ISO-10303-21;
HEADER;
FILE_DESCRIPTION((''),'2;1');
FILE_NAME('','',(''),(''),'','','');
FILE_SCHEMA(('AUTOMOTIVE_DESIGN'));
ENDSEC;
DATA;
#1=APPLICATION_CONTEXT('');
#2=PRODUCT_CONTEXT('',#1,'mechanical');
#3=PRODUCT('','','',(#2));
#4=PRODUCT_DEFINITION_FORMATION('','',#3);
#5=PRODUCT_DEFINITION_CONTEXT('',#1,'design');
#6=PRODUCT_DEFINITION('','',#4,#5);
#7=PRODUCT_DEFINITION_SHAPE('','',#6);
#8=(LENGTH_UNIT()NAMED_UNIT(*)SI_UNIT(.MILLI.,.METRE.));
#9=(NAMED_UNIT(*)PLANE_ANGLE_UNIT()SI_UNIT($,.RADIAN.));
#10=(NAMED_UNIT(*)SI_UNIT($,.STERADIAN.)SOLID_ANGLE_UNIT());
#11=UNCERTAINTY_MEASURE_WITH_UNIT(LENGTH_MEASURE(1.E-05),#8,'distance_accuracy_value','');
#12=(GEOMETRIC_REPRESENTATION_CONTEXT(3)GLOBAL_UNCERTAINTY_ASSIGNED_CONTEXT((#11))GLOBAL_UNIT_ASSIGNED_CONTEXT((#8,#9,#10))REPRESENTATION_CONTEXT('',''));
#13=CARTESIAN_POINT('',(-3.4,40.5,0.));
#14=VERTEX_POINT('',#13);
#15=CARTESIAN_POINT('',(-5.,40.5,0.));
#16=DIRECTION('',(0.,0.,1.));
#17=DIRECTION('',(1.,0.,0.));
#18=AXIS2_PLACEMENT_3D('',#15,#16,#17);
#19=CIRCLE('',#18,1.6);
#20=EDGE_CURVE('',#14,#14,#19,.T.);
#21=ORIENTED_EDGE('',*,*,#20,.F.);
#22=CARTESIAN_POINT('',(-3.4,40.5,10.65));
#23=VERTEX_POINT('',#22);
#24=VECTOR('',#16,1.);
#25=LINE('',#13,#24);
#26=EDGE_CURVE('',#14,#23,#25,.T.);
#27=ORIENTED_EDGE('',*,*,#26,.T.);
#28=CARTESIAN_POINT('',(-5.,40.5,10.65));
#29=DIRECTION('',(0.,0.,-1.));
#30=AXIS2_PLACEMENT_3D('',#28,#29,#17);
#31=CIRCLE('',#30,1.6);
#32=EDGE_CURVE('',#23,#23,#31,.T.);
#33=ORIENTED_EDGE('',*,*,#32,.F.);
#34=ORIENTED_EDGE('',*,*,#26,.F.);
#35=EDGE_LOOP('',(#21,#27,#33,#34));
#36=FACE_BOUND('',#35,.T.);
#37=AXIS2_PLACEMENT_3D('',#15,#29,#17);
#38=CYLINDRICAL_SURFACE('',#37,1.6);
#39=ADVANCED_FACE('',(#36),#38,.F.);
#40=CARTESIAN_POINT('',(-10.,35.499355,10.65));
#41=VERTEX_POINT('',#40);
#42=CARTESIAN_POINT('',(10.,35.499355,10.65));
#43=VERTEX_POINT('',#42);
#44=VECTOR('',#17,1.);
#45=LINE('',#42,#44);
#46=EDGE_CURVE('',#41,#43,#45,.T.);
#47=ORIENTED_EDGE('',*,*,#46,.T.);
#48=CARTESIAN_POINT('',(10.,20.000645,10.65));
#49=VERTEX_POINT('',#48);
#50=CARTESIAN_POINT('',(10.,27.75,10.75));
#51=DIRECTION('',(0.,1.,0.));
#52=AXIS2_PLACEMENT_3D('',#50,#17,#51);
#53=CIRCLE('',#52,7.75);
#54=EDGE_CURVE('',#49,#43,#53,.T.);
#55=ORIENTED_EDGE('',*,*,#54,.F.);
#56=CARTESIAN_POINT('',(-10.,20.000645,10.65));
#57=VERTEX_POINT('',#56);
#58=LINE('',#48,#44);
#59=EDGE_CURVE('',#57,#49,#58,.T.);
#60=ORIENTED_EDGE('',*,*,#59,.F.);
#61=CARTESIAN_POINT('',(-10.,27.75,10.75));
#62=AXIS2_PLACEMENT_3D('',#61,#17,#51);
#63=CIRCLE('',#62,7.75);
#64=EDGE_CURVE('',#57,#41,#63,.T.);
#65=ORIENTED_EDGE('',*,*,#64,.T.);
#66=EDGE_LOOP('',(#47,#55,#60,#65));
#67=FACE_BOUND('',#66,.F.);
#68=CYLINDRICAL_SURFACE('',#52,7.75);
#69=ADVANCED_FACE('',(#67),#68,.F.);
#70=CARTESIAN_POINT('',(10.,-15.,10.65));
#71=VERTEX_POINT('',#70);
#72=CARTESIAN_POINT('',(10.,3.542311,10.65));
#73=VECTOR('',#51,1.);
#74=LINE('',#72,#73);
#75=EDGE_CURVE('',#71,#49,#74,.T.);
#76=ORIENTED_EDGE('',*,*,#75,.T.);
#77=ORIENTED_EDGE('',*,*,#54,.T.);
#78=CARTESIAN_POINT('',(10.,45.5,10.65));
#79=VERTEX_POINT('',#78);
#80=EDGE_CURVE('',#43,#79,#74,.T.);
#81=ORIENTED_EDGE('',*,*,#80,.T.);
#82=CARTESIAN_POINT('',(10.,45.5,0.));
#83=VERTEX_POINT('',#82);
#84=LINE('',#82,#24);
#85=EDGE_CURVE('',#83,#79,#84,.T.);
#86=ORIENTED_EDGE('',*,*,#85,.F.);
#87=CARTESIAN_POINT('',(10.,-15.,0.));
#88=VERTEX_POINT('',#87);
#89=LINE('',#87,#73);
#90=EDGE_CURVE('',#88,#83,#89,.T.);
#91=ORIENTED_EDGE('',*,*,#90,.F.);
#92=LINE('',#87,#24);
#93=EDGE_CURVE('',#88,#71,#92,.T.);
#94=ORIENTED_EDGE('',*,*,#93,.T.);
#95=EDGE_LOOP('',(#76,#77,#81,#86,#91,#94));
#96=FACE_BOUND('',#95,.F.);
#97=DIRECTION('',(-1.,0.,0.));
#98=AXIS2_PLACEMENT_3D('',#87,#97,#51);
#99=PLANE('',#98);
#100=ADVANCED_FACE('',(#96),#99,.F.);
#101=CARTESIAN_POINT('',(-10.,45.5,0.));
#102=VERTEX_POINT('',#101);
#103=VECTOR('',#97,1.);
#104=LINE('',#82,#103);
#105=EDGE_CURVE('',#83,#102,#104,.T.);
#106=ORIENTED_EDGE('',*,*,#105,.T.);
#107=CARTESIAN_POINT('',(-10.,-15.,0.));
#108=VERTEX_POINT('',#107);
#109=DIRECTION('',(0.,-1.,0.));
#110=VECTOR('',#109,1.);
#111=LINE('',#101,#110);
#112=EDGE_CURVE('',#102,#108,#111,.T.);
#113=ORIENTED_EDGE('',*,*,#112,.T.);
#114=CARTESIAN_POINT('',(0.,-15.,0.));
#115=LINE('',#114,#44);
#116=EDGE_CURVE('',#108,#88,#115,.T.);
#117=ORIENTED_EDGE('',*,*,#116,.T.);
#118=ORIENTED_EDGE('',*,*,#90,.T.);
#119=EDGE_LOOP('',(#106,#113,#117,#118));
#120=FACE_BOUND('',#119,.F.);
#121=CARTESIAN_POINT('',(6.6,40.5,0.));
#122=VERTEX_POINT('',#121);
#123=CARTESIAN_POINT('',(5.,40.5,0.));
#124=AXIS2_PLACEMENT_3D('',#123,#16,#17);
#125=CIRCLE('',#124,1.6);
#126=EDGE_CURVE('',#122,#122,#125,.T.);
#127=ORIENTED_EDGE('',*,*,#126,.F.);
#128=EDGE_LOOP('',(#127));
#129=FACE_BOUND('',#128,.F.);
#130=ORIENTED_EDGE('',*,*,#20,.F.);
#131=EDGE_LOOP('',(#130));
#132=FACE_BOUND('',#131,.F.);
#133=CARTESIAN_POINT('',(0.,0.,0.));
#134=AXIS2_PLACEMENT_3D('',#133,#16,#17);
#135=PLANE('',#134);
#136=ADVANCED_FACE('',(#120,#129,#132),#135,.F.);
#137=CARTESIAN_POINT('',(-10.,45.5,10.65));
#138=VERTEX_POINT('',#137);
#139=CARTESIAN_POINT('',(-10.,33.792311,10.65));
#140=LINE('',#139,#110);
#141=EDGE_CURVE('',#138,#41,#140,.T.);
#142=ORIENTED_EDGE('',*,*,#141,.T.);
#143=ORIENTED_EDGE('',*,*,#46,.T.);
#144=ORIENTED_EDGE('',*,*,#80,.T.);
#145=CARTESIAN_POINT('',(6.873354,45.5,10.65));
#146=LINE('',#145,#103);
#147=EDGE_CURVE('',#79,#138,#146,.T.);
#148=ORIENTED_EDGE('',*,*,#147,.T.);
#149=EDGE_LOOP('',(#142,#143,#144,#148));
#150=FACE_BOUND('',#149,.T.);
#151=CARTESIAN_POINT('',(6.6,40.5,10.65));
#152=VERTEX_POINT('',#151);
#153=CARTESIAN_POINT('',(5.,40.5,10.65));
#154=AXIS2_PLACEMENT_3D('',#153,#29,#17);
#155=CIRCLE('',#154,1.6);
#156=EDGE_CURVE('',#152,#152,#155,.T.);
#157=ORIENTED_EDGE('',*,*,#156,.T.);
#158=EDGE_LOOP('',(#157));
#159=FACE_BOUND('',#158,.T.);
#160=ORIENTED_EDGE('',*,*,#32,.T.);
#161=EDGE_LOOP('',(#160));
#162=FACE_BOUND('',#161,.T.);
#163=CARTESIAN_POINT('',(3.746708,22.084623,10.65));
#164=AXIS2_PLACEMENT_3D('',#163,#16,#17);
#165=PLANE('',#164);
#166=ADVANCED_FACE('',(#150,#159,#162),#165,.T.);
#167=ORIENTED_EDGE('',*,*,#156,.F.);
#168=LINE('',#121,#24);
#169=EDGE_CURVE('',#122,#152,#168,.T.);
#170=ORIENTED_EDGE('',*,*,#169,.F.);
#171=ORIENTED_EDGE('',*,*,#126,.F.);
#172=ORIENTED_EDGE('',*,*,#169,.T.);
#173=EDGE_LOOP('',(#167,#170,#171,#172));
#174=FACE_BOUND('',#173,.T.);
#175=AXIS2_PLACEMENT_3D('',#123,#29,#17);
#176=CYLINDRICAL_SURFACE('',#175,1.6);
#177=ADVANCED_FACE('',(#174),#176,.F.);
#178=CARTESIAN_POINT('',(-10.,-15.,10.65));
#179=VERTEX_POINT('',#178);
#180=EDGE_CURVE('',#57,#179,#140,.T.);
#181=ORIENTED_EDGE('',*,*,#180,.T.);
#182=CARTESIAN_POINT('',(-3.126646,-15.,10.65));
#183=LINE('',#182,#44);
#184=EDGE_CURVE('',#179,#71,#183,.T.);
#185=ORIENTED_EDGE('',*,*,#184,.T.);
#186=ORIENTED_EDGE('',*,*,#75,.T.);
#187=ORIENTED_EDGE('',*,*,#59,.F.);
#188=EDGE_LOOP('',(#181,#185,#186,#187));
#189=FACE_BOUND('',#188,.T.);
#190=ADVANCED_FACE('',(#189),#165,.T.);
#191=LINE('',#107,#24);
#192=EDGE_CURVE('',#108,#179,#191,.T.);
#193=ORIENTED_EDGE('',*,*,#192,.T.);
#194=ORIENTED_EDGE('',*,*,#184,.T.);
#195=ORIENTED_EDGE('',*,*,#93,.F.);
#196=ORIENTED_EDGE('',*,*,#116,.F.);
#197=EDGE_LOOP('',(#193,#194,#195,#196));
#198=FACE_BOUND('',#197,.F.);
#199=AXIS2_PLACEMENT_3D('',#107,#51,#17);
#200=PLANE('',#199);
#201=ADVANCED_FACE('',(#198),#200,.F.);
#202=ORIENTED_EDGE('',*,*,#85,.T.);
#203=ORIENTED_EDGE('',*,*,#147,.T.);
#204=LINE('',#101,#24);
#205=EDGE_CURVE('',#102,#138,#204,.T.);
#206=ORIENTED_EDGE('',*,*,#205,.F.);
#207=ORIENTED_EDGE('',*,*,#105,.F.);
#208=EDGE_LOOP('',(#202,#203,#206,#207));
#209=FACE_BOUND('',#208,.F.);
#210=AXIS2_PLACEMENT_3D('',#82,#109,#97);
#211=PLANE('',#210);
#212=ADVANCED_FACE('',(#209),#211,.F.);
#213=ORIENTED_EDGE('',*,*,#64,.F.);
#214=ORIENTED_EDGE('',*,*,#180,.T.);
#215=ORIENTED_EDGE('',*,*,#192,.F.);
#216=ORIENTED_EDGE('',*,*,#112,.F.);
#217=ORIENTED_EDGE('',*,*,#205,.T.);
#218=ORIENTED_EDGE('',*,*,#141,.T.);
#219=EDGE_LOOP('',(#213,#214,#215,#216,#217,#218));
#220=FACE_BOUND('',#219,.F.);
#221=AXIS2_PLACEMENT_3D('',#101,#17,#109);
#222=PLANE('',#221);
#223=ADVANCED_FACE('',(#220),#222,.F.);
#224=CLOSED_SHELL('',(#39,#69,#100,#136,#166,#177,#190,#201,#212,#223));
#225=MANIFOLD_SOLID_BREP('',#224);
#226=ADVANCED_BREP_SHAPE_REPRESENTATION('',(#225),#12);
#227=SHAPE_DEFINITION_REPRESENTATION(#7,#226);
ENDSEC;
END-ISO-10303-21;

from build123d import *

# Parameters (mm, degrees)
F0_W     = 20
F0_H     = 30
F0_H_2   = 5
F0_R     = 1.6
F1_DEPTH = 10.75
F3_DEPTH = 25
F4_W     = 37.611449
F4_H     = 93.224645
F5_DEPTH = 0.1


with BuildPart() as f1:
    # F0 (on Top) → F1 (new body)
    with BuildSketch(Plane.XY):
        Rectangle(F0_W, F0_H)
        with Locations((0, 17.5)):
            Rectangle(F0_W, F0_H_2)
        Polygon((-10, 20), (10, 20), (10, 35.5), (0, 35.5), (-10, 35.5), align=None)
        Polygon((0, 35.5), (10, 35.5), (10, 45.5), (0, 45.5), (-10, 45.5), (-10, 35.5), align=None)
        with Locations((-5, 40.5)):
            Circle(F0_R, mode=Mode.SUBTRACT)
        with Locations((5, 40.5)):
            Circle(F0_R, mode=Mode.SUBTRACT)
    extrude(amount=F1_DEPTH)

    # F2 (on face) → F3 (cut)
    with BuildSketch(Plane.YZ.offset(10)):
        with BuildLine():
            ThreePointArc((20, 10.75), (27.75, 3), (35.5, 10.75))
            Line((35.5, 10.75), (20, 10.75))
        make_face()
        with BuildLine():
            Line((20, 10.75), (35.5, 10.75))
            ThreePointArc((35.5, 10.75), (27.75, 18.5), (20, 10.75))
        make_face()
    extrude(amount=-F3_DEPTH, mode=Mode.SUBTRACT)

    # F4 (on face) → F5 (cut)
    with BuildSketch(Plane.XY.offset(10.75)):
        with Locations((3.746708, 22.084623)):
            Rectangle(F4_W, F4_H)
    extrude(amount=-F5_DEPTH, mode=Mode.SUBTRACT)


solid = f1.part
